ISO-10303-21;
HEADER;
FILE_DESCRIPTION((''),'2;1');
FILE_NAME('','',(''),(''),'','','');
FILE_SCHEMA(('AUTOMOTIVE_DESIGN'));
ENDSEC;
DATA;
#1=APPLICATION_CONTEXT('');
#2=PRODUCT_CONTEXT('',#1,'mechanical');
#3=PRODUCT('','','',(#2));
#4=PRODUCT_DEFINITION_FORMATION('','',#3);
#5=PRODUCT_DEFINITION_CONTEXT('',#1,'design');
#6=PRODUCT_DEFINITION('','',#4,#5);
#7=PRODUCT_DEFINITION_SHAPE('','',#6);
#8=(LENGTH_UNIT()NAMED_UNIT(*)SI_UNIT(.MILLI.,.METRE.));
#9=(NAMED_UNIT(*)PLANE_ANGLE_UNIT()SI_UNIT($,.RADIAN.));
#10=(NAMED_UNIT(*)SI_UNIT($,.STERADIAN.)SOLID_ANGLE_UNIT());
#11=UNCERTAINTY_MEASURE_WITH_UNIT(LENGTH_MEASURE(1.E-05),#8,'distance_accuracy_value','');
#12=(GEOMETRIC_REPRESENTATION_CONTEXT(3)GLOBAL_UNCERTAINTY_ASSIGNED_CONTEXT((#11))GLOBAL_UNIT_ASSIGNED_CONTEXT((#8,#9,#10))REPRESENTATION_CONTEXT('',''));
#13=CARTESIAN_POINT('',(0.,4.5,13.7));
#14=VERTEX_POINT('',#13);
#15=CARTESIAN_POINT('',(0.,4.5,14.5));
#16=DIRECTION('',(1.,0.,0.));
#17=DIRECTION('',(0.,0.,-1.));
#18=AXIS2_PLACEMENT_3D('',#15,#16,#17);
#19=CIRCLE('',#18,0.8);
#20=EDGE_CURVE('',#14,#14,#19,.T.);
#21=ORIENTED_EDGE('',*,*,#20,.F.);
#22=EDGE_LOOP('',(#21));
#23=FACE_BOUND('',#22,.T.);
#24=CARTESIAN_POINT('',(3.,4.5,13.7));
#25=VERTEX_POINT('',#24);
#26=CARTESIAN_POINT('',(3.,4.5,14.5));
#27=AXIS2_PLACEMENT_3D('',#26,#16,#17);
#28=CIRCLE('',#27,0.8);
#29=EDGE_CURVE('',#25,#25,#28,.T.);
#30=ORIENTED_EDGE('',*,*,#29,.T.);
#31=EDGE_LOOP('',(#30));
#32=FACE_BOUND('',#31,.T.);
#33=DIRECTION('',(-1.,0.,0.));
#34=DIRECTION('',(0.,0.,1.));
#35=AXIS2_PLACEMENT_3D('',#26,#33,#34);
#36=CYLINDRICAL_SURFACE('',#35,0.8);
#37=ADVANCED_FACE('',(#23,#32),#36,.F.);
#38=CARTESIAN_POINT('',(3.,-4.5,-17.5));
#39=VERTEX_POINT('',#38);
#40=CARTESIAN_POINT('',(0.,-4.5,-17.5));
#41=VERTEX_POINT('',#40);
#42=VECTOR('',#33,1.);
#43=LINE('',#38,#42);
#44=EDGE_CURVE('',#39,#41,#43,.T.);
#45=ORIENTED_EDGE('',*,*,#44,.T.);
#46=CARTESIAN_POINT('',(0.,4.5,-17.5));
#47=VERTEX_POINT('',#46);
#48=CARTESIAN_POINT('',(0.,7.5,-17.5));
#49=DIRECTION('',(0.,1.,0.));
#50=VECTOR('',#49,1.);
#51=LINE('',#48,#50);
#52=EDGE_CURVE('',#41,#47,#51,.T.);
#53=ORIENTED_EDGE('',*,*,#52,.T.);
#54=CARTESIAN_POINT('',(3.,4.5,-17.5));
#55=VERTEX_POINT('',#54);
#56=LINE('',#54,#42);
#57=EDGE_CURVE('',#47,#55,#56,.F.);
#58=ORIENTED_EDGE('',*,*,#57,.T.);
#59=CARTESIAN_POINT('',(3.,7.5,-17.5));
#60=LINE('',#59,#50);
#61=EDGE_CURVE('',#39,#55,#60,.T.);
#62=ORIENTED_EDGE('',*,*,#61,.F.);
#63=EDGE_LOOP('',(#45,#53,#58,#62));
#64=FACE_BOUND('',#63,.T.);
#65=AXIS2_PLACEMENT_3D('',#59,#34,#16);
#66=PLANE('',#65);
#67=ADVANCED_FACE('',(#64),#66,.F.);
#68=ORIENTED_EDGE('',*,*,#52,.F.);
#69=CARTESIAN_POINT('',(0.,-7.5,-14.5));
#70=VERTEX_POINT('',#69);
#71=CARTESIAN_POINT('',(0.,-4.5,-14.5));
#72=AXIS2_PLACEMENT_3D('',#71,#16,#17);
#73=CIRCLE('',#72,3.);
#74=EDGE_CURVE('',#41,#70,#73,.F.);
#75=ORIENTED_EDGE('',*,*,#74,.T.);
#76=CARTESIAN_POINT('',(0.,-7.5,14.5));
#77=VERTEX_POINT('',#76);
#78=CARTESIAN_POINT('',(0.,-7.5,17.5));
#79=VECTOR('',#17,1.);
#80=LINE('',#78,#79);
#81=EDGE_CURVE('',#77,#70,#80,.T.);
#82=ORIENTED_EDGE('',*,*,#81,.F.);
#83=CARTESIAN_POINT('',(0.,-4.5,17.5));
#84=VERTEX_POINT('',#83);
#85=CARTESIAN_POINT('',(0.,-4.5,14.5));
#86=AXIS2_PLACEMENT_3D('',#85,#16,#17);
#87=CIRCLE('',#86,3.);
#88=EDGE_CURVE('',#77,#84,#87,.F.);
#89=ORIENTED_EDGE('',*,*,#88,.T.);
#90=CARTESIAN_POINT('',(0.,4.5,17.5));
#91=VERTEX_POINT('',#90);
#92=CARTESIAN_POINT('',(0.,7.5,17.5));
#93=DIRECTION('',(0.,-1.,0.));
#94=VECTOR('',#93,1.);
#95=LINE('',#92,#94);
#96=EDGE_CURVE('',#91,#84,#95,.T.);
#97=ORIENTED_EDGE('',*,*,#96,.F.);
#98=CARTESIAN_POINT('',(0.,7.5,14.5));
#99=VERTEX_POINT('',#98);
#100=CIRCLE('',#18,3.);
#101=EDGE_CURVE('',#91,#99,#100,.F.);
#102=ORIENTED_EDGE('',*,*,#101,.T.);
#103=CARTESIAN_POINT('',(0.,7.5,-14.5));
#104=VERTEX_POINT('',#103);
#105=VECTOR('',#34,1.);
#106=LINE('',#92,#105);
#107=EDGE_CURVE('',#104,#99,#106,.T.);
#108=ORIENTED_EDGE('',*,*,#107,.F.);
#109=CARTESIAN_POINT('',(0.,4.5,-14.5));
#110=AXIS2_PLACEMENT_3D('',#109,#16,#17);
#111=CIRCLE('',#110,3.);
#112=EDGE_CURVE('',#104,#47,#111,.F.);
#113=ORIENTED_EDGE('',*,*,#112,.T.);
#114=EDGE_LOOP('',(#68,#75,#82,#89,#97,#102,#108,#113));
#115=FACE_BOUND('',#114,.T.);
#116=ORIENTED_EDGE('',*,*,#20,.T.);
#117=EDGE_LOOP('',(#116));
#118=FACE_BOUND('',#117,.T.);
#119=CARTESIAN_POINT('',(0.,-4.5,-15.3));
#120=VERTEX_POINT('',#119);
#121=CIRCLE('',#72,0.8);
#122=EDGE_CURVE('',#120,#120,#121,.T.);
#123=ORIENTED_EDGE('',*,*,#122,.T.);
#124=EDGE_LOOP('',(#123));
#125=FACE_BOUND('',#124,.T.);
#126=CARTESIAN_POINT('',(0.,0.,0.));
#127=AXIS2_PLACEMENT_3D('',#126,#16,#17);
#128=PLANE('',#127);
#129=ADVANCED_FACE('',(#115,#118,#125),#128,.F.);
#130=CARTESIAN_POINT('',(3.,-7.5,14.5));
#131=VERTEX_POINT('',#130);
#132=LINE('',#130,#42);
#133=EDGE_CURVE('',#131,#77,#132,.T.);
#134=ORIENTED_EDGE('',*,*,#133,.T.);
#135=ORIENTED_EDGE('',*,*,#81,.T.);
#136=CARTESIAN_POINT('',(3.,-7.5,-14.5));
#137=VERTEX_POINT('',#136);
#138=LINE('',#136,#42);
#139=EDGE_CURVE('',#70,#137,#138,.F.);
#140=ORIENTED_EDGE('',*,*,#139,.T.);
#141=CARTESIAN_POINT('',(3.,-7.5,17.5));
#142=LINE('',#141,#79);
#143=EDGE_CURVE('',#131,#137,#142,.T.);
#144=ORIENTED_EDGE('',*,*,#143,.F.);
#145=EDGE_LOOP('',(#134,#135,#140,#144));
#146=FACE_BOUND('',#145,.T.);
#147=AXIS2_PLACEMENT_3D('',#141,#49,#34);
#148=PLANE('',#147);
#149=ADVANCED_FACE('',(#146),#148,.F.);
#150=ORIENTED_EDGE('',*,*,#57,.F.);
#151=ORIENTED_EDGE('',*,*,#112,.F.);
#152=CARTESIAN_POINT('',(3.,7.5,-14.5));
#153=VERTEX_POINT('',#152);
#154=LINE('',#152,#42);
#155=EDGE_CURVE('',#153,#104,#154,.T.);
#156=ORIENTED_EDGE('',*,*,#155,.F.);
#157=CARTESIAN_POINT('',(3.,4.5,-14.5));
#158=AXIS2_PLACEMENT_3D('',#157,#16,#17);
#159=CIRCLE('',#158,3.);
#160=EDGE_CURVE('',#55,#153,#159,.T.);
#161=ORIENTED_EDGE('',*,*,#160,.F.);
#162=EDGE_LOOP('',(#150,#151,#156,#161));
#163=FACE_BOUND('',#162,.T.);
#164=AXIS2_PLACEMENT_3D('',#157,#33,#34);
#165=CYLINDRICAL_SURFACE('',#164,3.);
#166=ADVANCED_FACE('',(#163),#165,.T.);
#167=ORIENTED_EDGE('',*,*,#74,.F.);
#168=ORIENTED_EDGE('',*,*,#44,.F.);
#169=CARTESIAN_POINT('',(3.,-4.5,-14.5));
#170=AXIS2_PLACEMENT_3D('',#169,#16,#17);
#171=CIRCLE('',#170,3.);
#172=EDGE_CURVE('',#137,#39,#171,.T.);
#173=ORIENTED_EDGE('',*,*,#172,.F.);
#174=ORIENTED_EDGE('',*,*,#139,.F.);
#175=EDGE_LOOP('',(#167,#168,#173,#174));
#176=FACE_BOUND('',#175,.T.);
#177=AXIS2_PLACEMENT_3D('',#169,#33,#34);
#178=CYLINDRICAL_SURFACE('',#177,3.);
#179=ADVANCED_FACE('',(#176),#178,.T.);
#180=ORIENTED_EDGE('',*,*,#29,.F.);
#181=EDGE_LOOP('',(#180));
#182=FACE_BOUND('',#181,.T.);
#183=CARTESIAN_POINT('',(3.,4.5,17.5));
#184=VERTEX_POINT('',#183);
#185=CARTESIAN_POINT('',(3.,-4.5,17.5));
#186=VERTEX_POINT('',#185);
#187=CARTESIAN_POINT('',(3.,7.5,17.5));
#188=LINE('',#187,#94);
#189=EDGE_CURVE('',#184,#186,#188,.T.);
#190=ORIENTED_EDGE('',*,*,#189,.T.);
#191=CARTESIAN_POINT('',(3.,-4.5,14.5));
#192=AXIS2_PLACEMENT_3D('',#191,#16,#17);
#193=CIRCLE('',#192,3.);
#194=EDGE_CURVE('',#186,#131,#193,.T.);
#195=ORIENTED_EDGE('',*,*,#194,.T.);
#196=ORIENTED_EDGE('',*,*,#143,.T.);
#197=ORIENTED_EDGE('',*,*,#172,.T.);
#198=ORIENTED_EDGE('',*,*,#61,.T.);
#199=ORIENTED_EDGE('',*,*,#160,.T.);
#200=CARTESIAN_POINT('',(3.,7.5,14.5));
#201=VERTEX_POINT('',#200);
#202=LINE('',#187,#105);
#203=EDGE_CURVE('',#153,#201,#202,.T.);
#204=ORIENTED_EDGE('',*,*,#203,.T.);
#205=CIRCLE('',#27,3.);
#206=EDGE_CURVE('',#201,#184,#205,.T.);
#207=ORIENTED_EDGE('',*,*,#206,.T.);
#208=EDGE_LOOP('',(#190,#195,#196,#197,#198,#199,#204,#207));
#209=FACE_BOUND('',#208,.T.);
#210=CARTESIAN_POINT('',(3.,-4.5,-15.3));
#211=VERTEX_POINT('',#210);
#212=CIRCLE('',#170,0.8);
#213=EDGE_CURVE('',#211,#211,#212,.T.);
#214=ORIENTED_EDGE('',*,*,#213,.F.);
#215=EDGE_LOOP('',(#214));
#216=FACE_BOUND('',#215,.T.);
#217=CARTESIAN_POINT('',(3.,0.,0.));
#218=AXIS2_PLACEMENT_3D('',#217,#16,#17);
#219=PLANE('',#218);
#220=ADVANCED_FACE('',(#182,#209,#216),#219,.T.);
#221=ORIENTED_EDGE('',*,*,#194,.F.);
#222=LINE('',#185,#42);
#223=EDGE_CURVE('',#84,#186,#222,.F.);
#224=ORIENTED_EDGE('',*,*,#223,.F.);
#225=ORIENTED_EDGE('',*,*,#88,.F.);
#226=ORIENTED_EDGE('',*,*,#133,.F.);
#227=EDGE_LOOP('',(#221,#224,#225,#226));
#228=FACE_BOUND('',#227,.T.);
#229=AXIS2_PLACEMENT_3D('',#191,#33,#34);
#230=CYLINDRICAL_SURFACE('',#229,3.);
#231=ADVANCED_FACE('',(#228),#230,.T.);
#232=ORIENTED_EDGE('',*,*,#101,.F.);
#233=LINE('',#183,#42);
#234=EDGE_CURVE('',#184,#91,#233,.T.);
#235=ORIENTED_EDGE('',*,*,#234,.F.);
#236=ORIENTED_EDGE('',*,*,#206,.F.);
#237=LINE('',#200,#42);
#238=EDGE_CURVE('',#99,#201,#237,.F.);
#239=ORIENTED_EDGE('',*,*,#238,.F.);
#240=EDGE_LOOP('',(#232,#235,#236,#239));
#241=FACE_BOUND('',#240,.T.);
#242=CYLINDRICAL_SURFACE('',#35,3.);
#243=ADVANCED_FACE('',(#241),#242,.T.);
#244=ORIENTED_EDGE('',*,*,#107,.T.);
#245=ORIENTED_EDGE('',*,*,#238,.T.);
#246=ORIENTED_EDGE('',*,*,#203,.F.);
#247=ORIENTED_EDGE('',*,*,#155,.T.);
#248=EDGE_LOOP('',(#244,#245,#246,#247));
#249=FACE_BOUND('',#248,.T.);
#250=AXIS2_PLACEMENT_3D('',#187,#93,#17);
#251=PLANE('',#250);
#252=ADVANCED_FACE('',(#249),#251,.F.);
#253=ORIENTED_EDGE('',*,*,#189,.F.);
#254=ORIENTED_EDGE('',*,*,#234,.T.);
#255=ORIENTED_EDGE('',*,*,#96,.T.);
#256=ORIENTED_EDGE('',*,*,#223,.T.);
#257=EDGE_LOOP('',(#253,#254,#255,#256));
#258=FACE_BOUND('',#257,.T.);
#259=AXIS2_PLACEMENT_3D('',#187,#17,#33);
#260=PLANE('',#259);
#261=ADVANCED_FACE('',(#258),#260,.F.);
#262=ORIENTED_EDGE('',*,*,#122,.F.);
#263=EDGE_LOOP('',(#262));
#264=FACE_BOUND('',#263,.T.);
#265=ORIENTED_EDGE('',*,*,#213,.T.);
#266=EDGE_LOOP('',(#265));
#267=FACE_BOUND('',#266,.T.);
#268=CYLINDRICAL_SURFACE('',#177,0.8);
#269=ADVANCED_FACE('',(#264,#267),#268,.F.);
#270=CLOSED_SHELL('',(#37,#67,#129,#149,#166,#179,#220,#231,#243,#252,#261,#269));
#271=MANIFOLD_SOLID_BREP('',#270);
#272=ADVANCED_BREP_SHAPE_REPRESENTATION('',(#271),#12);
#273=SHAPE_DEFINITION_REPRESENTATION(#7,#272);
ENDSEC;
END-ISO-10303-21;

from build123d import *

# Parameters (mm, degrees)
ESBO_O1_W                = 35
ESBO_O1_H                = 15
ESBO_O1_R                = 0.8
RESSALTO_EXTRUS_O1_DEPTH = 3
FILETE1_R                = 3


with BuildPart() as part:
    # Esboço1 → Ressalto-extrusão1 (new body)
    with BuildSketch(Plane(origin=(0, 0, 0), x_dir=(0, 0, -1), z_dir=(1, 0, 0))):
        Rectangle(ESBO_O1_W, ESBO_O1_H)
        with Locations((-14.5, 4.5)):
            Circle(ESBO_O1_R, mode=Mode.SUBTRACT)
        with Locations((14.5, -4.5)):
            Circle(ESBO_O1_R, mode=Mode.SUBTRACT)
    extrude(amount=RESSALTO_EXTRUS_O1_DEPTH)

    # Filete1
    filete1_edges = [part.edges().sort_by_distance(p)[0] for p in [
        (1.5, -7.5, -17.5),
        (1.5, -7.5, 17.5),
        (1.5, 7.5, 17.5),
        (1.5, 7.5, -17.5),
    ]]
    fillet(filete1_edges, radius=FILETE1_R)


solid = part.part
